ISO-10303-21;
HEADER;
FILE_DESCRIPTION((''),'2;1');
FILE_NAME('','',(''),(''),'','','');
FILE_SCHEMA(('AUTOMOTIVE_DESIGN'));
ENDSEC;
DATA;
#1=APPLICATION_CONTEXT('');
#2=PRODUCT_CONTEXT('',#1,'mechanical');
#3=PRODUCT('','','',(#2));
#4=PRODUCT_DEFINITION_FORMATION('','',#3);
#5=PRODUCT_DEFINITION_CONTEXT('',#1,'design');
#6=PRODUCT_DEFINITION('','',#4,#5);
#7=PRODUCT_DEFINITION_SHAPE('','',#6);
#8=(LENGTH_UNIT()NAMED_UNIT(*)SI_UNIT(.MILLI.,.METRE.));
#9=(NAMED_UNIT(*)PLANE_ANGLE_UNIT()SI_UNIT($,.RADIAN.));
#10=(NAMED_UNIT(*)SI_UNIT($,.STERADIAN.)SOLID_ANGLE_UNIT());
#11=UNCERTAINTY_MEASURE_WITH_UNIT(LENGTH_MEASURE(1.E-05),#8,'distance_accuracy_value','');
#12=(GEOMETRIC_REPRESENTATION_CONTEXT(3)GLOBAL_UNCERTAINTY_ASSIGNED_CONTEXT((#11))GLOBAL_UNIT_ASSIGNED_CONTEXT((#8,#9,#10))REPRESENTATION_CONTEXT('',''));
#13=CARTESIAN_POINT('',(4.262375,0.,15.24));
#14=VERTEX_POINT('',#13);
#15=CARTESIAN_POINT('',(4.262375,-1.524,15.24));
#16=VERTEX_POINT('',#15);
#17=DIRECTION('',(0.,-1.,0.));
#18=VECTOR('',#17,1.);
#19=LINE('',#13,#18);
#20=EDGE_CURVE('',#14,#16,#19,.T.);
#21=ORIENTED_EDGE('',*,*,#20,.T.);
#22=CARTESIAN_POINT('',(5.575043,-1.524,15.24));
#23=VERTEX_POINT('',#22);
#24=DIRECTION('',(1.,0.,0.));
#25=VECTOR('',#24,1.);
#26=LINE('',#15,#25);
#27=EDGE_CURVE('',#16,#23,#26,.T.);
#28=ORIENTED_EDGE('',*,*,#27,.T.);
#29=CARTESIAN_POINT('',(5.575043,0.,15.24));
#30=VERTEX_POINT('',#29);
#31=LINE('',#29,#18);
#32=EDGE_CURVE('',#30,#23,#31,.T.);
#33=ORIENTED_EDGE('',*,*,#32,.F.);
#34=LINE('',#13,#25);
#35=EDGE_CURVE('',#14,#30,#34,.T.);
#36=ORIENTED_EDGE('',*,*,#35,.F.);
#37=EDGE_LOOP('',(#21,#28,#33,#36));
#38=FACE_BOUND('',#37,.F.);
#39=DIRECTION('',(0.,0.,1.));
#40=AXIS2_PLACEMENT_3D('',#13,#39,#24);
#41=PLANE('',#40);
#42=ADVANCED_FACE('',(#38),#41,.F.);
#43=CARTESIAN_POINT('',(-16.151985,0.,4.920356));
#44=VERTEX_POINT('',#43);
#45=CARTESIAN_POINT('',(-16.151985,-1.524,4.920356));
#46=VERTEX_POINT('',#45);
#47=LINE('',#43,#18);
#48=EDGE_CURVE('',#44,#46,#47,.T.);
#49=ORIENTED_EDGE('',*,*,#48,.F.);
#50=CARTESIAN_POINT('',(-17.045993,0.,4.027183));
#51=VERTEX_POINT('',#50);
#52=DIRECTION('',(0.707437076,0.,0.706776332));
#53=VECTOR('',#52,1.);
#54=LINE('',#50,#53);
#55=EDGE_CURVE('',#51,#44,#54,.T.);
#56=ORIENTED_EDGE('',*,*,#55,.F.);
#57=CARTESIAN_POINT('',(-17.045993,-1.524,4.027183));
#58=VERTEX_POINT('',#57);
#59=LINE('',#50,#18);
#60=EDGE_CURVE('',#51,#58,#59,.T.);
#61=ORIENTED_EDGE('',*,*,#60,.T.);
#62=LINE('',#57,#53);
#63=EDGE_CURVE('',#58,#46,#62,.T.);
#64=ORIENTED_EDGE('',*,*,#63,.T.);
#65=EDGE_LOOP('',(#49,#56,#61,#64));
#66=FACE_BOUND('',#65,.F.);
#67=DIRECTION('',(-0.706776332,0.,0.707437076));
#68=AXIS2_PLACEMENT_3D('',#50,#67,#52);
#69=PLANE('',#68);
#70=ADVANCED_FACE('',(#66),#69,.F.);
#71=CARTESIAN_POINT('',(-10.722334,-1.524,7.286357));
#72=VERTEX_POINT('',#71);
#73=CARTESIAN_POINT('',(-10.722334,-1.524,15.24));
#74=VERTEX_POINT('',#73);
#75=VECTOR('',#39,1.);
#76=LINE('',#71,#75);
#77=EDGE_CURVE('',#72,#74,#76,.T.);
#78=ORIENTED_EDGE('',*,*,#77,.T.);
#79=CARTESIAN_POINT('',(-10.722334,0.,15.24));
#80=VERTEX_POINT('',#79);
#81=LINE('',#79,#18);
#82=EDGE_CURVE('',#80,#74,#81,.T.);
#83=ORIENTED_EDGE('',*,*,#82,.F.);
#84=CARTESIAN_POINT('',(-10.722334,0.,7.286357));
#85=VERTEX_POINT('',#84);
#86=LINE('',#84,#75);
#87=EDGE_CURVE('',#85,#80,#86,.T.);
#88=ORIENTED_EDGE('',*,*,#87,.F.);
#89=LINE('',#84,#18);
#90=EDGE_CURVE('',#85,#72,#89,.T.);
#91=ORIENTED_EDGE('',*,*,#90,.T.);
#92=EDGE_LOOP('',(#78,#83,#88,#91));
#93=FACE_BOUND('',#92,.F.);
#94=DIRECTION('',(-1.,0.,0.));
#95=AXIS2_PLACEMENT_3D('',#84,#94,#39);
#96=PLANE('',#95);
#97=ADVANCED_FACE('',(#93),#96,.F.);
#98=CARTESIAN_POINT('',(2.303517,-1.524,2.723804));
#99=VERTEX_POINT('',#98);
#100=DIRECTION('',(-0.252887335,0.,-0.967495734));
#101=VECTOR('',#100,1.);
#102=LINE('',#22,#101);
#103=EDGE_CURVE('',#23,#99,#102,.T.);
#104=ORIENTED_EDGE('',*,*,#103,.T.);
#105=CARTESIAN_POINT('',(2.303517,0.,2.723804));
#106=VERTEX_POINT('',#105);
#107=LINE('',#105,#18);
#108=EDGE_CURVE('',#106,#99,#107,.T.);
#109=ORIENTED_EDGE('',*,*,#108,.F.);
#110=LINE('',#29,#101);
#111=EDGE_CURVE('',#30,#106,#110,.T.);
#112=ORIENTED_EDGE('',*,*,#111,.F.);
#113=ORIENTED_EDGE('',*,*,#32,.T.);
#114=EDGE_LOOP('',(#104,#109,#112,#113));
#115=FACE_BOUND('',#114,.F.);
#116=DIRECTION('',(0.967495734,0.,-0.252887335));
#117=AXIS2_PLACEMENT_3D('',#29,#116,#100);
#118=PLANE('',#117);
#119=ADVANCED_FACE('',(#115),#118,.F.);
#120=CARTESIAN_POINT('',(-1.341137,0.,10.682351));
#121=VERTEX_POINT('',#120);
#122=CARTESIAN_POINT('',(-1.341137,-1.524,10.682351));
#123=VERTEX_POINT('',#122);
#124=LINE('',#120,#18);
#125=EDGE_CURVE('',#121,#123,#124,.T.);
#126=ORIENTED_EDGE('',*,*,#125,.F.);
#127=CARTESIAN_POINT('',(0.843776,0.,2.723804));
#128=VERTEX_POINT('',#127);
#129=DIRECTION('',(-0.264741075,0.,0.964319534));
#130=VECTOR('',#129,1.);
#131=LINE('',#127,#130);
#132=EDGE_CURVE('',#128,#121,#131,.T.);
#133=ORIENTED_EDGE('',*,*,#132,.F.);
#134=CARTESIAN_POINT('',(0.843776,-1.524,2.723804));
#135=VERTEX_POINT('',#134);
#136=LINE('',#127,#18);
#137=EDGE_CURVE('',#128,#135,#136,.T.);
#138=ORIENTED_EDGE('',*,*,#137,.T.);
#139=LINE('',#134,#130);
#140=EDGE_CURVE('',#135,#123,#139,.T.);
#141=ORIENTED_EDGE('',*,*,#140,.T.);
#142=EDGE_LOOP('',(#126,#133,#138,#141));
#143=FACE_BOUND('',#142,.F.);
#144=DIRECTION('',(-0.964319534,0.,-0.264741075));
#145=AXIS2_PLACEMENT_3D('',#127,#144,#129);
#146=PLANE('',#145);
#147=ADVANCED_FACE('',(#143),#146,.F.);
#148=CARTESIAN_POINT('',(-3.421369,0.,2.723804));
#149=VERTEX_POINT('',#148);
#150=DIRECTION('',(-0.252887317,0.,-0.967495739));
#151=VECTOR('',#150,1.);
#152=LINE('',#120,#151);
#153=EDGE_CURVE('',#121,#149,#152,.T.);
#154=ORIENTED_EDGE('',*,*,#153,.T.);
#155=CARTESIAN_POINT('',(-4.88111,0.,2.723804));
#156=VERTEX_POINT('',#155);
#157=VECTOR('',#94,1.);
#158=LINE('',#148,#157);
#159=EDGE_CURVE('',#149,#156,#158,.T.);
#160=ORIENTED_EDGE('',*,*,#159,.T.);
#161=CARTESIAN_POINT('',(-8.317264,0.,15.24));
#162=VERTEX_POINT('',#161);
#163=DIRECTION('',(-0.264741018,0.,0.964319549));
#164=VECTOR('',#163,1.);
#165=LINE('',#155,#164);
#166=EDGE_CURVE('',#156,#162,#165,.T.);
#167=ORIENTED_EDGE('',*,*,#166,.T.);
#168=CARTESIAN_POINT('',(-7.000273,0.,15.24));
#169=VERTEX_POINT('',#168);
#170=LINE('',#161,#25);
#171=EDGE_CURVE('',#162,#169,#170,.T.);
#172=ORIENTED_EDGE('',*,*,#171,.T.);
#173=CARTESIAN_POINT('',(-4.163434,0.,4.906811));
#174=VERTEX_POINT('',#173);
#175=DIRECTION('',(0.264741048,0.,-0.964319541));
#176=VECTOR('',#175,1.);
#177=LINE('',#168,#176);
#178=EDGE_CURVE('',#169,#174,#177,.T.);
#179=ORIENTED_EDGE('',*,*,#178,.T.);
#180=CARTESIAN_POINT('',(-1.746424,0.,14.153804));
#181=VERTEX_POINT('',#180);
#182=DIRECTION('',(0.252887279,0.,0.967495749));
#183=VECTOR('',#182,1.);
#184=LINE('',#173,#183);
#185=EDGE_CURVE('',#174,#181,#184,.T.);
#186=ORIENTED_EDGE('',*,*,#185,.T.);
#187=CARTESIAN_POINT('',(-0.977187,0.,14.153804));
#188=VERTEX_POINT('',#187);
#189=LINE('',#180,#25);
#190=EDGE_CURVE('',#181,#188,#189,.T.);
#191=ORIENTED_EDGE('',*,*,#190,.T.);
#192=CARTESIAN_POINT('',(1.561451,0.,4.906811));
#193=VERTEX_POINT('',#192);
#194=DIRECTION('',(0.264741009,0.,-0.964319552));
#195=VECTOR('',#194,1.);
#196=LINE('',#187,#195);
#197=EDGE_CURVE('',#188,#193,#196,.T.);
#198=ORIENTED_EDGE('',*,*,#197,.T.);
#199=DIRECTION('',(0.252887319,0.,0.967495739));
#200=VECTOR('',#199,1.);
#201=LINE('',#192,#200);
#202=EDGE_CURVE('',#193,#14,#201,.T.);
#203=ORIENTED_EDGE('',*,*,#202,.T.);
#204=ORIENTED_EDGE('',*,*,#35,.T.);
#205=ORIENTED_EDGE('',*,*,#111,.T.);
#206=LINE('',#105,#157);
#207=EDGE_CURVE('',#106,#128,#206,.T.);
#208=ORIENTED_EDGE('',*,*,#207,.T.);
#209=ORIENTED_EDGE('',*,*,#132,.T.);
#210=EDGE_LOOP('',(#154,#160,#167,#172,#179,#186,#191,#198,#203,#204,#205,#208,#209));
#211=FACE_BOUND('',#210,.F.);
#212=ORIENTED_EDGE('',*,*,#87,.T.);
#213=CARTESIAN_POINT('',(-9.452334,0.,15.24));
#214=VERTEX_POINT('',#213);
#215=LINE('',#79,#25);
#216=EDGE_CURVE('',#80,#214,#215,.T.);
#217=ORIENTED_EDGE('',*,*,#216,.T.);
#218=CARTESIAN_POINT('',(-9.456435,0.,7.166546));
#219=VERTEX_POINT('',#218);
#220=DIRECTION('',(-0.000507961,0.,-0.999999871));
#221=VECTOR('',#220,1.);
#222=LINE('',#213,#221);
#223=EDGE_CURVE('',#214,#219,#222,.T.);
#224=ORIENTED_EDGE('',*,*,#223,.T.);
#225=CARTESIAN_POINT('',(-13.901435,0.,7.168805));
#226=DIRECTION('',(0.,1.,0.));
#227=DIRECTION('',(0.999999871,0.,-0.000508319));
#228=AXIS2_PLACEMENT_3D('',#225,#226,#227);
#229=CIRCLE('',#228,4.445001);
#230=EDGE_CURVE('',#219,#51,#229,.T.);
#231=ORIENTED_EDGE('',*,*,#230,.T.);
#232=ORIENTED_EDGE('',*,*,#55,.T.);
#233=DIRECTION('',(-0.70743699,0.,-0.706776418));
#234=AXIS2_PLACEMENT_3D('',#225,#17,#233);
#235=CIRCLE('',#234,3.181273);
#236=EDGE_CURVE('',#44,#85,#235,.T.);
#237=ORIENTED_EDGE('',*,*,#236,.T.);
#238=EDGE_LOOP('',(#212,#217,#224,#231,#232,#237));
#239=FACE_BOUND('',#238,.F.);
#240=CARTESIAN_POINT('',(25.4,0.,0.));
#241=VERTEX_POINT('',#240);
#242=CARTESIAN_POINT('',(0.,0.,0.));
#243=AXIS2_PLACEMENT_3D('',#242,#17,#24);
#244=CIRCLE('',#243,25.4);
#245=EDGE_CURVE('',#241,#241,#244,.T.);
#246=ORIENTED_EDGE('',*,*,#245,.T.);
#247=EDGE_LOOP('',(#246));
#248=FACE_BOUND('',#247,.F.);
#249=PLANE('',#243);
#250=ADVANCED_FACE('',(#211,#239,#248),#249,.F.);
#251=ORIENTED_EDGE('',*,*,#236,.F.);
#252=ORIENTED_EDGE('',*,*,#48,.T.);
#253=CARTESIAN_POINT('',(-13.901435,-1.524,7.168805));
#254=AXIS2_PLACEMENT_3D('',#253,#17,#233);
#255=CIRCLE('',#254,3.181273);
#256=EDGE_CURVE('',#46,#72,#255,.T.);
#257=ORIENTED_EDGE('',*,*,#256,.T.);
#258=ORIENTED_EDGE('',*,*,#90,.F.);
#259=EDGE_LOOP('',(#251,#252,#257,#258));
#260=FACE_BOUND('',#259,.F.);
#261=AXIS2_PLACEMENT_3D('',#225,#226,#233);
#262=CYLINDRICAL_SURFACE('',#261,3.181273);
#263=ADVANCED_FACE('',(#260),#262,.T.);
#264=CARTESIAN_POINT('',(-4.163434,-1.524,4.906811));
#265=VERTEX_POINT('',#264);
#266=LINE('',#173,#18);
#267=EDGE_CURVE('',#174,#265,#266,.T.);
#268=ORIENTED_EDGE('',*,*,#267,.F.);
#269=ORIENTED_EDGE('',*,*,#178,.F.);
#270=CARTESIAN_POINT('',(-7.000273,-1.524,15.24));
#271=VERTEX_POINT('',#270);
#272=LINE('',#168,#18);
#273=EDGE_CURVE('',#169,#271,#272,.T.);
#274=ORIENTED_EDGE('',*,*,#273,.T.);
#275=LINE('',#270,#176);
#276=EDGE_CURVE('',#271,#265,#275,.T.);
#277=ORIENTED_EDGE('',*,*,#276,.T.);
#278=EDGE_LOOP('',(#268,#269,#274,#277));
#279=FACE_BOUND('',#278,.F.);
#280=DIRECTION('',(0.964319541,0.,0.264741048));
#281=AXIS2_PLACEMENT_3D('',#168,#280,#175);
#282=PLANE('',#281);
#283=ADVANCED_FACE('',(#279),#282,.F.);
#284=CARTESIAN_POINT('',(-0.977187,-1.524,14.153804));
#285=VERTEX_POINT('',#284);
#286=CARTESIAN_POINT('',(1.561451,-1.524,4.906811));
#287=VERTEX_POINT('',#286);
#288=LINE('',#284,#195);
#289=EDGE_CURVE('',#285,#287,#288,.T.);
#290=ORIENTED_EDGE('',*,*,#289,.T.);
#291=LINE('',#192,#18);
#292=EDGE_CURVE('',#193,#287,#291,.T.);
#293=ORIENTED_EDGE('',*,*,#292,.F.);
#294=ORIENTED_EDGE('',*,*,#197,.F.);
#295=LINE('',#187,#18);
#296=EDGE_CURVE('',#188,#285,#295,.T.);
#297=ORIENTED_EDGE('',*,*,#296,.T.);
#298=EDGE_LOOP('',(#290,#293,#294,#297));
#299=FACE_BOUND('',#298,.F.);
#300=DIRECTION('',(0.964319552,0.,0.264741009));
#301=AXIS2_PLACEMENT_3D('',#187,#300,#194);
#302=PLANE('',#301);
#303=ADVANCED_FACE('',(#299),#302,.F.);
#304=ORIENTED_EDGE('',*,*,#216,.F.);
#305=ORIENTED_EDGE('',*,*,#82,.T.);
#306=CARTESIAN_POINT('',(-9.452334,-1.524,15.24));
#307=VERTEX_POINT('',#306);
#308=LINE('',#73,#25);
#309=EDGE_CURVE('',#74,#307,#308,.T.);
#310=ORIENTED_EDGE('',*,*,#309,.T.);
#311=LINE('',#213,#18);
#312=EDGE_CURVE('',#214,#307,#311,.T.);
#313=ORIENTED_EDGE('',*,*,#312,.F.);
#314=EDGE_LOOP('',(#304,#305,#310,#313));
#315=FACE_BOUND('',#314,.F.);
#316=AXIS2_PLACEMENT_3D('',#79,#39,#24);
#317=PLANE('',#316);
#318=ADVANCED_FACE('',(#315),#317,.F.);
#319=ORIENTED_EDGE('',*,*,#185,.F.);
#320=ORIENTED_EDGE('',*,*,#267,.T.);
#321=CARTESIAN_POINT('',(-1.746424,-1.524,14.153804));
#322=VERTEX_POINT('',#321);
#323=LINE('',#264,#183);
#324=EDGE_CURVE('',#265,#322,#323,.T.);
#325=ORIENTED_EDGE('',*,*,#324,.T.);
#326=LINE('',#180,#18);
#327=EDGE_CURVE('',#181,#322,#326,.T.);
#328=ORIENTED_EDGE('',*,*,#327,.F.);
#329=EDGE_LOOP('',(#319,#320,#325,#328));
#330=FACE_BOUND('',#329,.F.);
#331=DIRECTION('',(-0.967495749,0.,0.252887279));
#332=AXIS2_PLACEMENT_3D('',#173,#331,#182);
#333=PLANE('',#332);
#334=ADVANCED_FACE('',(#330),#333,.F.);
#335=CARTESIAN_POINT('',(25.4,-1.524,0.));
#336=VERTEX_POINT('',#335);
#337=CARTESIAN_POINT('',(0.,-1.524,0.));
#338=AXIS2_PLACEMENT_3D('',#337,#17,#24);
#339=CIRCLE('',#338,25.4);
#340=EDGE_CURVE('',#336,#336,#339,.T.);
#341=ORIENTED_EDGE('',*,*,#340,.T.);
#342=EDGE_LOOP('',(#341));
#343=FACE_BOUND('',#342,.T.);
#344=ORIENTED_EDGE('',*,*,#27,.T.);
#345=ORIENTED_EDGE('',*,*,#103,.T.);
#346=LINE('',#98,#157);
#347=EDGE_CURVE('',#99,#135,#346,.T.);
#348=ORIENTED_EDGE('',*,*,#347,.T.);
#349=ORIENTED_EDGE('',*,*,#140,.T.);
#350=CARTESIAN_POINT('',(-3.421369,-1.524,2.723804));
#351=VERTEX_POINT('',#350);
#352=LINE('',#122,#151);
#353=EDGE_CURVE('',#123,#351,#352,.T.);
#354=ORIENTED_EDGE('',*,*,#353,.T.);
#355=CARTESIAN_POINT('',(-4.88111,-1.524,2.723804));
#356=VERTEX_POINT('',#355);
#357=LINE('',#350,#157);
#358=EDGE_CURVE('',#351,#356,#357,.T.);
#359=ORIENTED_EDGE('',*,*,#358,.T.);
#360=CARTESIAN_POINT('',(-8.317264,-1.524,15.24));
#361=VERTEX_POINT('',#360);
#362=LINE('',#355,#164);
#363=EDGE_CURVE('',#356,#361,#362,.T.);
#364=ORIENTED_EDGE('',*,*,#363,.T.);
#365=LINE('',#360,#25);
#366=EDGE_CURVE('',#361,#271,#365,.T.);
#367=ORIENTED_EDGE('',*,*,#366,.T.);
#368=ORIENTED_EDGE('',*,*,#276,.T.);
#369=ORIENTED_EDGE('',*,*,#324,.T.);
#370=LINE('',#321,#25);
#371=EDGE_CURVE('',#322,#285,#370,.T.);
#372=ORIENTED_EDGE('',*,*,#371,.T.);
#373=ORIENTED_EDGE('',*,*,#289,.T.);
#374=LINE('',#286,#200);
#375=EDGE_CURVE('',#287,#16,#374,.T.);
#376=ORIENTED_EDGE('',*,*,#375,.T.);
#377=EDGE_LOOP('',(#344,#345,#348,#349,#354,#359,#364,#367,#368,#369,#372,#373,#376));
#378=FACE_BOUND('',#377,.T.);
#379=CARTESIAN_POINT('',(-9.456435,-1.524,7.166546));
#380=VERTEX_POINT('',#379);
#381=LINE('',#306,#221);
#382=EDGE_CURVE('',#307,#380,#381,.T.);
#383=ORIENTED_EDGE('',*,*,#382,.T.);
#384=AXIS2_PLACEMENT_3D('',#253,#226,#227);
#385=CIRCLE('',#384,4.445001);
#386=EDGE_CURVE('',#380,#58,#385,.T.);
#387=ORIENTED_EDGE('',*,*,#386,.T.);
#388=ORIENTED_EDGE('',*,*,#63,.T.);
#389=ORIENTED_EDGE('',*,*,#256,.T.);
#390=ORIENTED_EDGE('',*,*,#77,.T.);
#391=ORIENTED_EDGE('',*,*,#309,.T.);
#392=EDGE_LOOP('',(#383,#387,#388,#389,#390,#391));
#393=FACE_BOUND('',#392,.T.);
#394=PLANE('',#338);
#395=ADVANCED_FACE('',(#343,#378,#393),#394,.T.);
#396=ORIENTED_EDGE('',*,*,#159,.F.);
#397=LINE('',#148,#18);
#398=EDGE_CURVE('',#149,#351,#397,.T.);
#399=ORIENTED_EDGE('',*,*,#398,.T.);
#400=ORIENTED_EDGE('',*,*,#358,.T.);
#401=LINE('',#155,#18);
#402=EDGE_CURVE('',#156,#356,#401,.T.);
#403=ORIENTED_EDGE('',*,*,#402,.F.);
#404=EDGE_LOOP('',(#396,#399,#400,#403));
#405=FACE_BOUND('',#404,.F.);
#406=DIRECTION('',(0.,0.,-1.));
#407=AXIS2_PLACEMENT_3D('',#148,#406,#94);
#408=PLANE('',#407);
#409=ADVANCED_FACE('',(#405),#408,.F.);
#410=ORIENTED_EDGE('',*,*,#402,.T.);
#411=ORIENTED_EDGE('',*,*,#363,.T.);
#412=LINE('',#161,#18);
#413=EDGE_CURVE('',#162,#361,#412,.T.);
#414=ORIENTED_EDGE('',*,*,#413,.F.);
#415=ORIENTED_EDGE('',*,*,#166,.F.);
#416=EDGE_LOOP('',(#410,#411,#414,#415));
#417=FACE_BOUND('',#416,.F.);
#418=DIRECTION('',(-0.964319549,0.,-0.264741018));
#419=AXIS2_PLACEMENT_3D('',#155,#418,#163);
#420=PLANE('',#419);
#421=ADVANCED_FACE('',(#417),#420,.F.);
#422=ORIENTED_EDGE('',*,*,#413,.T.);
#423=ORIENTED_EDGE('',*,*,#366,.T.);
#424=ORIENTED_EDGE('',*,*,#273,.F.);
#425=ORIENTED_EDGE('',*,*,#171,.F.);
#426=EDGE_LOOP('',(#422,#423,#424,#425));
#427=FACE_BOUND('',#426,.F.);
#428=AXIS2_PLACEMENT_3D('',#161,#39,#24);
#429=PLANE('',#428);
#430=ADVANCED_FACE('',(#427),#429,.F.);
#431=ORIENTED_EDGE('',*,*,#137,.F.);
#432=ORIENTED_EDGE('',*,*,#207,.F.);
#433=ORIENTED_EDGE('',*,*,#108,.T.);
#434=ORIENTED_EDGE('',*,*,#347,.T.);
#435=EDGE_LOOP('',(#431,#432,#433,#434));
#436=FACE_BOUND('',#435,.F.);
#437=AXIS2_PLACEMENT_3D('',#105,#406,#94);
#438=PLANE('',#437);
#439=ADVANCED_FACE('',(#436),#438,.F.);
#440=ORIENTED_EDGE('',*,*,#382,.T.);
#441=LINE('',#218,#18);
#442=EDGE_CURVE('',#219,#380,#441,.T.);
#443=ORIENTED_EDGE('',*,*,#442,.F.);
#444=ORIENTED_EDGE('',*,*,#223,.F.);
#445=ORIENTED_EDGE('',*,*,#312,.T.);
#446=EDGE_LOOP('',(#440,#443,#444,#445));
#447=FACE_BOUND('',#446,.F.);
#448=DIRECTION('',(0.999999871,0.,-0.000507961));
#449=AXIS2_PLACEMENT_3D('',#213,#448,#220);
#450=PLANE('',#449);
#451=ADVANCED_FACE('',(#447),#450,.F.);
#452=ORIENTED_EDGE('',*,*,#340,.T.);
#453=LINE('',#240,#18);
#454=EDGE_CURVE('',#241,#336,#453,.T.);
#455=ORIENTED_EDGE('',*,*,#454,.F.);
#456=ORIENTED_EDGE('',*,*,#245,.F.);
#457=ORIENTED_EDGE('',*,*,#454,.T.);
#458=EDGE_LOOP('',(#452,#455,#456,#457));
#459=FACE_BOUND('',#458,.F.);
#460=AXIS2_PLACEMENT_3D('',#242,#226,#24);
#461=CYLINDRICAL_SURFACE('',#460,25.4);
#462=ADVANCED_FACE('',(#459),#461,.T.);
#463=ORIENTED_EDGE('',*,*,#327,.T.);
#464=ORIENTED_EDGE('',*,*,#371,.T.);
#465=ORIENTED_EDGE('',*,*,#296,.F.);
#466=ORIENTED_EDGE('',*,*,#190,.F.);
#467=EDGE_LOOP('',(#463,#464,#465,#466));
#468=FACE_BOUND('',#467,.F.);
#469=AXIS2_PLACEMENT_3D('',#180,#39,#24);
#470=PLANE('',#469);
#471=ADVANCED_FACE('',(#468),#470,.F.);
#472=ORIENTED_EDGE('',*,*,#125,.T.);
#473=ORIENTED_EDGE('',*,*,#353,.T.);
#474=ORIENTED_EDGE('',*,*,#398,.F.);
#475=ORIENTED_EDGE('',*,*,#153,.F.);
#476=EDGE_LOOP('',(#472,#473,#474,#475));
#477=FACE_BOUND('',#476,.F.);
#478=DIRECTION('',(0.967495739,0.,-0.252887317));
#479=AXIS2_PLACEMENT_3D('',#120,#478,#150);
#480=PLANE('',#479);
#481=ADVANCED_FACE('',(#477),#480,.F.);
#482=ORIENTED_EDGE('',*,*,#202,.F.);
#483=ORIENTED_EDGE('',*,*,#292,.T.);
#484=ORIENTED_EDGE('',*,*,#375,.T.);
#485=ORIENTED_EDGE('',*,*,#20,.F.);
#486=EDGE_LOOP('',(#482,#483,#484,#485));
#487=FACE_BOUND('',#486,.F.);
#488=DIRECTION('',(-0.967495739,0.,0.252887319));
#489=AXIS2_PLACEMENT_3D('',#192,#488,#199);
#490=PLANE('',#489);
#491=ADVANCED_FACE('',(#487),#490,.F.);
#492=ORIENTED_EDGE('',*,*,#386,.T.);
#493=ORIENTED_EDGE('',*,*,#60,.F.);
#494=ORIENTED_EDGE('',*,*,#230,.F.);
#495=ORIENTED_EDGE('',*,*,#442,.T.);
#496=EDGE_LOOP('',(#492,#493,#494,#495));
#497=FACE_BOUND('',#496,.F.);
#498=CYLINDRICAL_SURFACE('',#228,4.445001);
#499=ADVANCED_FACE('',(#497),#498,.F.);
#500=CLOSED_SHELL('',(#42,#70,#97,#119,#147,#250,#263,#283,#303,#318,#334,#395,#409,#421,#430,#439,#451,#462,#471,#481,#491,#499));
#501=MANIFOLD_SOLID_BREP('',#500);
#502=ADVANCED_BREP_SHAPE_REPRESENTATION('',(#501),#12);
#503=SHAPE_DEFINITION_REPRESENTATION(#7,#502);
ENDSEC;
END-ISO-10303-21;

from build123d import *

# Parameters (mm, degrees)
F0_R     = 25.4
F1_DEPTH = 1.524


with BuildPart() as f1:
    # F0 (on Front) → F1 (new body)
    with BuildSketch(Plane.XZ):
        Circle(F0_R)
        with BuildLine():
            Line((-10.722334, 7.286357), (-10.722334, 15.24))
            Line((-10.722334, 15.24), (-9.452334, 15.24))
            Line((-9.452334, 15.24), (-9.456435, 7.166546))
            ThreePointArc((-9.456435, 7.166546), (-12.20241, 3.061331), (-17.045993, 4.027183))
            Line((-17.045993, 4.027183), (-16.151985, 4.920356))
            ThreePointArc((-16.151985, 4.920356), (-12.630592, 4.252393), (-10.722334, 7.286357))
        make_face(mode=Mode.SUBTRACT)
        Polygon((-4.88111, 2.723804), (-8.317264, 15.24), (-7.000273, 15.24), (-4.163434, 4.906811), (-1.746424, 14.153804), (-0.977187, 14.153804), (1.561451, 4.906811), (4.262375, 15.24), (5.575043, 15.24), (2.303517, 2.723804), (0.843776, 2.723804), (-1.341137, 10.682351), (-3.421369, 2.723804), align=None, mode=Mode.SUBTRACT)
    extrude(amount=F1_DEPTH)


solid = f1.part
